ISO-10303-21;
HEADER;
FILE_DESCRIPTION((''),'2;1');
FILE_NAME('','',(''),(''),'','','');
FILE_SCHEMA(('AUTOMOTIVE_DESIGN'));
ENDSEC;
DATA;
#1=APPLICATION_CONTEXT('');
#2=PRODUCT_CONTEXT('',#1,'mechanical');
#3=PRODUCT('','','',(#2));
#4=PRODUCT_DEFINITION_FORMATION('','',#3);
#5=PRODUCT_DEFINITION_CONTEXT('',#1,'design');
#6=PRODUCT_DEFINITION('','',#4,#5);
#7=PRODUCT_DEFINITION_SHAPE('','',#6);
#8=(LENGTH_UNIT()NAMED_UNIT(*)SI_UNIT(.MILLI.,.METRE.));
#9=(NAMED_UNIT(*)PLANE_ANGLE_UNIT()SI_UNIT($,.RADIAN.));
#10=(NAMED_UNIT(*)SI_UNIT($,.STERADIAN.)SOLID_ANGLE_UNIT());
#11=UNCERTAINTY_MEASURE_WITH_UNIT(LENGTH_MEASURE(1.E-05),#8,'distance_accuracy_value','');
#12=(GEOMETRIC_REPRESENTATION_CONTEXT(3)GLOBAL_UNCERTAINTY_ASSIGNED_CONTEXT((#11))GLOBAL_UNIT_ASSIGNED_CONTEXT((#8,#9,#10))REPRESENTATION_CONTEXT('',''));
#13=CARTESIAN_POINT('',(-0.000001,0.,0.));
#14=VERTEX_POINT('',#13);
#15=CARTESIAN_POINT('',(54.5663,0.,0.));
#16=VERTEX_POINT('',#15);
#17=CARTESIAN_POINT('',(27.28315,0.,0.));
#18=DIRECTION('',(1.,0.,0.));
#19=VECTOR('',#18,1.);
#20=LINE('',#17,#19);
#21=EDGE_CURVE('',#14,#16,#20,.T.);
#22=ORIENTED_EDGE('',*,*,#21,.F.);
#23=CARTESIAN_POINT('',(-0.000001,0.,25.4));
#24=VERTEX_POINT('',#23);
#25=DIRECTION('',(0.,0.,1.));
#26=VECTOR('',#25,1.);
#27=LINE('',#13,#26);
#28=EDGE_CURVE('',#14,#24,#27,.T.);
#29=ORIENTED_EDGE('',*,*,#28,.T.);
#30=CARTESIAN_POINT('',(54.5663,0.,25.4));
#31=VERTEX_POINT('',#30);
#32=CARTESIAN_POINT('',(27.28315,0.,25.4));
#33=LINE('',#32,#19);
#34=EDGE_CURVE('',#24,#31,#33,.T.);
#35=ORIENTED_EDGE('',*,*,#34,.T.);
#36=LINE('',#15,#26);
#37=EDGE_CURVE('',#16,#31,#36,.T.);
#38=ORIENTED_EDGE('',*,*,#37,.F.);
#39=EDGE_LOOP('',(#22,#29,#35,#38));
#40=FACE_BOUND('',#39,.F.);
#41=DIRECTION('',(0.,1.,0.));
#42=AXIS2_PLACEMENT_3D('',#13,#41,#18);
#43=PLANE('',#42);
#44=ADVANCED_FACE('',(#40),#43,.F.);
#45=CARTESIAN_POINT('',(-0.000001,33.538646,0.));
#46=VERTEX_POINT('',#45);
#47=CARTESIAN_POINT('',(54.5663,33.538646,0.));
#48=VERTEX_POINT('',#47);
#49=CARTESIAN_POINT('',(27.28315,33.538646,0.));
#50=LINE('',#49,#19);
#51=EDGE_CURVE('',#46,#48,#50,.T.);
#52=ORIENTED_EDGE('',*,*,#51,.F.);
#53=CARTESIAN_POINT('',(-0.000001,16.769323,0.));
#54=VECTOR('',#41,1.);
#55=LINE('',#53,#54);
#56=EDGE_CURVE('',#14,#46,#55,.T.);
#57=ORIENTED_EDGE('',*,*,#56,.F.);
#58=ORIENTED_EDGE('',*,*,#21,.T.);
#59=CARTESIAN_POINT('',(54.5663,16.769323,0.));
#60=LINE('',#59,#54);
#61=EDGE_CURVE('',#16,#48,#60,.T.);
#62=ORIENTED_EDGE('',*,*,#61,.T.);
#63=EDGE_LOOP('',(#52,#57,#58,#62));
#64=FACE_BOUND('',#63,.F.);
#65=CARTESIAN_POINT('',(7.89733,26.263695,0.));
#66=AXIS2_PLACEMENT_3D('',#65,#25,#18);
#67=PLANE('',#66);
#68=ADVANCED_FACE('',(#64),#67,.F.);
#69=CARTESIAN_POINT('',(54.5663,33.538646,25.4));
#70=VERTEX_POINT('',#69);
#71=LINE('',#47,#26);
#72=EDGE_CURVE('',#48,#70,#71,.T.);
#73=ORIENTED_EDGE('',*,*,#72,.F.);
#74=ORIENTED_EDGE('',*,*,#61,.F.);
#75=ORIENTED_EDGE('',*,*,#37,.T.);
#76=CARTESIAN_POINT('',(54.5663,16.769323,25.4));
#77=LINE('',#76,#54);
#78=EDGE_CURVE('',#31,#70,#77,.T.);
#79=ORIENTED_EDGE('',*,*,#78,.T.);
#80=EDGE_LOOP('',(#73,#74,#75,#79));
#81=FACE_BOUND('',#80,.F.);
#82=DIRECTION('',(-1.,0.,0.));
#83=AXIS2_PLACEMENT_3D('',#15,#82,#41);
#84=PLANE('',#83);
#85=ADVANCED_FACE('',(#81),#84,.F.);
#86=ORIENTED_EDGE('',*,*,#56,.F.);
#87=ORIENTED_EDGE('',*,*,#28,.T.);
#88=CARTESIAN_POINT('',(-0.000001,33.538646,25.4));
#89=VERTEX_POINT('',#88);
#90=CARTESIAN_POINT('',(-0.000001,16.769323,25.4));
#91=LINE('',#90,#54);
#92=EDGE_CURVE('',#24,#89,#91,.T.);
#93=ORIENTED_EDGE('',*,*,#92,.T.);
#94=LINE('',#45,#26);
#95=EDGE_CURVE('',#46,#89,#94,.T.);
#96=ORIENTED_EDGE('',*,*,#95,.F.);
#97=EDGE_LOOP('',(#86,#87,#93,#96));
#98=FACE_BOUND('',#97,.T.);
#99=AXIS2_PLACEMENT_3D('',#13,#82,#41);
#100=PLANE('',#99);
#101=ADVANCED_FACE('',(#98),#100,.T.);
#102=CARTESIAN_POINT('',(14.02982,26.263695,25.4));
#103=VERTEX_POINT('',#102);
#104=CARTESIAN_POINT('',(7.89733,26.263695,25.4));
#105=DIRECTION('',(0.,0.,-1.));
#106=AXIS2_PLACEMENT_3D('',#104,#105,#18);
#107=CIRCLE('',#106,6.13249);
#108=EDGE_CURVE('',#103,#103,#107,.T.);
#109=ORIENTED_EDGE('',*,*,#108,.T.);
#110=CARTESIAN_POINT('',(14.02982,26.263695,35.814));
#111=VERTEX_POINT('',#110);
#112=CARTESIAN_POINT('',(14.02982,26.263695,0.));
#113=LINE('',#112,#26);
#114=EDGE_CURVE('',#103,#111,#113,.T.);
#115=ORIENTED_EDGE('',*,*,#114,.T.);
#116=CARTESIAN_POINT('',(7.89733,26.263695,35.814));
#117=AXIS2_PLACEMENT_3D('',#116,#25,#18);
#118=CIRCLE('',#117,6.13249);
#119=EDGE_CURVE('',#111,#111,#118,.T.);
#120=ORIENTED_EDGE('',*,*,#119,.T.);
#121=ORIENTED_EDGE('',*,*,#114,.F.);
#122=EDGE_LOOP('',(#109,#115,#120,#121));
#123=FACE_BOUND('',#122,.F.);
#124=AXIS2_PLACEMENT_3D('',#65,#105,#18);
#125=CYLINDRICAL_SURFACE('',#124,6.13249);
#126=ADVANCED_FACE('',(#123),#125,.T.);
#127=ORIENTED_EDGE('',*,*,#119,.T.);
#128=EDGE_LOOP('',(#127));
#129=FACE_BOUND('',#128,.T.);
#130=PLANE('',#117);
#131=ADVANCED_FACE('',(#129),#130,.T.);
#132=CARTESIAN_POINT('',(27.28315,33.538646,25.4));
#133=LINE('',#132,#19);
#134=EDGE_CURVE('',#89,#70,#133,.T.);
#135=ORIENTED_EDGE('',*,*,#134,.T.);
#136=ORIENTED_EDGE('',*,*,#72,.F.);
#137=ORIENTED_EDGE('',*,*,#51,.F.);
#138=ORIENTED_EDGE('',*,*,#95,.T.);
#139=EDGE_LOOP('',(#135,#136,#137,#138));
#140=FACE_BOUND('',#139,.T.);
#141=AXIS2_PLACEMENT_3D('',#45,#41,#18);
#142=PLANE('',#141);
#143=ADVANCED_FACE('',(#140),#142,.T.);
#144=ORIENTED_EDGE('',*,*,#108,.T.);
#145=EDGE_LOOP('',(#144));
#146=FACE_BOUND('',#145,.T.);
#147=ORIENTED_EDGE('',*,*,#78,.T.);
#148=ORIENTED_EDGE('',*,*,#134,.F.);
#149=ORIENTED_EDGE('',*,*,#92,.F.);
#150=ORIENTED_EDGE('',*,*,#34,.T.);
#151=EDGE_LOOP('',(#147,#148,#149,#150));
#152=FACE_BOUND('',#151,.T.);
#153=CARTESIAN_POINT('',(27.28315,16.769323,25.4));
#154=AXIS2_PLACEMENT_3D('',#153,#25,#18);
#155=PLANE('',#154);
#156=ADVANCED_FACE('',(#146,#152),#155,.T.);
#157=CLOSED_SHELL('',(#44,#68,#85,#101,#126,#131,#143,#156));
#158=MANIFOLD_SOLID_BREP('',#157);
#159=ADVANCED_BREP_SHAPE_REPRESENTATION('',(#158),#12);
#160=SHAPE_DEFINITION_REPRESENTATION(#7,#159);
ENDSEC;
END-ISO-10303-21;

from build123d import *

# Parameters (mm, degrees)
F0_W     = 54.566301
F0_H     = 33.538647
F1_DEPTH = 25.4
F2_R     = 6.13249
F3_DEPTH = 35.814


with BuildPart() as f1:
    # F0 (on Top) → F1 (new body)
    with BuildSketch(Plane.XY):
        with Locations((27.28315, 16.769323)):
            Rectangle(F0_W, F0_H)
    extrude(amount=F1_DEPTH)

    # F2 (on Top) → F3 (join)
    with BuildSketch(Plane.XY):
        with Locations((7.89733, 26.263695)):
            Circle(F2_R)
    extrude(amount=F3_DEPTH)


solid = f1.part
